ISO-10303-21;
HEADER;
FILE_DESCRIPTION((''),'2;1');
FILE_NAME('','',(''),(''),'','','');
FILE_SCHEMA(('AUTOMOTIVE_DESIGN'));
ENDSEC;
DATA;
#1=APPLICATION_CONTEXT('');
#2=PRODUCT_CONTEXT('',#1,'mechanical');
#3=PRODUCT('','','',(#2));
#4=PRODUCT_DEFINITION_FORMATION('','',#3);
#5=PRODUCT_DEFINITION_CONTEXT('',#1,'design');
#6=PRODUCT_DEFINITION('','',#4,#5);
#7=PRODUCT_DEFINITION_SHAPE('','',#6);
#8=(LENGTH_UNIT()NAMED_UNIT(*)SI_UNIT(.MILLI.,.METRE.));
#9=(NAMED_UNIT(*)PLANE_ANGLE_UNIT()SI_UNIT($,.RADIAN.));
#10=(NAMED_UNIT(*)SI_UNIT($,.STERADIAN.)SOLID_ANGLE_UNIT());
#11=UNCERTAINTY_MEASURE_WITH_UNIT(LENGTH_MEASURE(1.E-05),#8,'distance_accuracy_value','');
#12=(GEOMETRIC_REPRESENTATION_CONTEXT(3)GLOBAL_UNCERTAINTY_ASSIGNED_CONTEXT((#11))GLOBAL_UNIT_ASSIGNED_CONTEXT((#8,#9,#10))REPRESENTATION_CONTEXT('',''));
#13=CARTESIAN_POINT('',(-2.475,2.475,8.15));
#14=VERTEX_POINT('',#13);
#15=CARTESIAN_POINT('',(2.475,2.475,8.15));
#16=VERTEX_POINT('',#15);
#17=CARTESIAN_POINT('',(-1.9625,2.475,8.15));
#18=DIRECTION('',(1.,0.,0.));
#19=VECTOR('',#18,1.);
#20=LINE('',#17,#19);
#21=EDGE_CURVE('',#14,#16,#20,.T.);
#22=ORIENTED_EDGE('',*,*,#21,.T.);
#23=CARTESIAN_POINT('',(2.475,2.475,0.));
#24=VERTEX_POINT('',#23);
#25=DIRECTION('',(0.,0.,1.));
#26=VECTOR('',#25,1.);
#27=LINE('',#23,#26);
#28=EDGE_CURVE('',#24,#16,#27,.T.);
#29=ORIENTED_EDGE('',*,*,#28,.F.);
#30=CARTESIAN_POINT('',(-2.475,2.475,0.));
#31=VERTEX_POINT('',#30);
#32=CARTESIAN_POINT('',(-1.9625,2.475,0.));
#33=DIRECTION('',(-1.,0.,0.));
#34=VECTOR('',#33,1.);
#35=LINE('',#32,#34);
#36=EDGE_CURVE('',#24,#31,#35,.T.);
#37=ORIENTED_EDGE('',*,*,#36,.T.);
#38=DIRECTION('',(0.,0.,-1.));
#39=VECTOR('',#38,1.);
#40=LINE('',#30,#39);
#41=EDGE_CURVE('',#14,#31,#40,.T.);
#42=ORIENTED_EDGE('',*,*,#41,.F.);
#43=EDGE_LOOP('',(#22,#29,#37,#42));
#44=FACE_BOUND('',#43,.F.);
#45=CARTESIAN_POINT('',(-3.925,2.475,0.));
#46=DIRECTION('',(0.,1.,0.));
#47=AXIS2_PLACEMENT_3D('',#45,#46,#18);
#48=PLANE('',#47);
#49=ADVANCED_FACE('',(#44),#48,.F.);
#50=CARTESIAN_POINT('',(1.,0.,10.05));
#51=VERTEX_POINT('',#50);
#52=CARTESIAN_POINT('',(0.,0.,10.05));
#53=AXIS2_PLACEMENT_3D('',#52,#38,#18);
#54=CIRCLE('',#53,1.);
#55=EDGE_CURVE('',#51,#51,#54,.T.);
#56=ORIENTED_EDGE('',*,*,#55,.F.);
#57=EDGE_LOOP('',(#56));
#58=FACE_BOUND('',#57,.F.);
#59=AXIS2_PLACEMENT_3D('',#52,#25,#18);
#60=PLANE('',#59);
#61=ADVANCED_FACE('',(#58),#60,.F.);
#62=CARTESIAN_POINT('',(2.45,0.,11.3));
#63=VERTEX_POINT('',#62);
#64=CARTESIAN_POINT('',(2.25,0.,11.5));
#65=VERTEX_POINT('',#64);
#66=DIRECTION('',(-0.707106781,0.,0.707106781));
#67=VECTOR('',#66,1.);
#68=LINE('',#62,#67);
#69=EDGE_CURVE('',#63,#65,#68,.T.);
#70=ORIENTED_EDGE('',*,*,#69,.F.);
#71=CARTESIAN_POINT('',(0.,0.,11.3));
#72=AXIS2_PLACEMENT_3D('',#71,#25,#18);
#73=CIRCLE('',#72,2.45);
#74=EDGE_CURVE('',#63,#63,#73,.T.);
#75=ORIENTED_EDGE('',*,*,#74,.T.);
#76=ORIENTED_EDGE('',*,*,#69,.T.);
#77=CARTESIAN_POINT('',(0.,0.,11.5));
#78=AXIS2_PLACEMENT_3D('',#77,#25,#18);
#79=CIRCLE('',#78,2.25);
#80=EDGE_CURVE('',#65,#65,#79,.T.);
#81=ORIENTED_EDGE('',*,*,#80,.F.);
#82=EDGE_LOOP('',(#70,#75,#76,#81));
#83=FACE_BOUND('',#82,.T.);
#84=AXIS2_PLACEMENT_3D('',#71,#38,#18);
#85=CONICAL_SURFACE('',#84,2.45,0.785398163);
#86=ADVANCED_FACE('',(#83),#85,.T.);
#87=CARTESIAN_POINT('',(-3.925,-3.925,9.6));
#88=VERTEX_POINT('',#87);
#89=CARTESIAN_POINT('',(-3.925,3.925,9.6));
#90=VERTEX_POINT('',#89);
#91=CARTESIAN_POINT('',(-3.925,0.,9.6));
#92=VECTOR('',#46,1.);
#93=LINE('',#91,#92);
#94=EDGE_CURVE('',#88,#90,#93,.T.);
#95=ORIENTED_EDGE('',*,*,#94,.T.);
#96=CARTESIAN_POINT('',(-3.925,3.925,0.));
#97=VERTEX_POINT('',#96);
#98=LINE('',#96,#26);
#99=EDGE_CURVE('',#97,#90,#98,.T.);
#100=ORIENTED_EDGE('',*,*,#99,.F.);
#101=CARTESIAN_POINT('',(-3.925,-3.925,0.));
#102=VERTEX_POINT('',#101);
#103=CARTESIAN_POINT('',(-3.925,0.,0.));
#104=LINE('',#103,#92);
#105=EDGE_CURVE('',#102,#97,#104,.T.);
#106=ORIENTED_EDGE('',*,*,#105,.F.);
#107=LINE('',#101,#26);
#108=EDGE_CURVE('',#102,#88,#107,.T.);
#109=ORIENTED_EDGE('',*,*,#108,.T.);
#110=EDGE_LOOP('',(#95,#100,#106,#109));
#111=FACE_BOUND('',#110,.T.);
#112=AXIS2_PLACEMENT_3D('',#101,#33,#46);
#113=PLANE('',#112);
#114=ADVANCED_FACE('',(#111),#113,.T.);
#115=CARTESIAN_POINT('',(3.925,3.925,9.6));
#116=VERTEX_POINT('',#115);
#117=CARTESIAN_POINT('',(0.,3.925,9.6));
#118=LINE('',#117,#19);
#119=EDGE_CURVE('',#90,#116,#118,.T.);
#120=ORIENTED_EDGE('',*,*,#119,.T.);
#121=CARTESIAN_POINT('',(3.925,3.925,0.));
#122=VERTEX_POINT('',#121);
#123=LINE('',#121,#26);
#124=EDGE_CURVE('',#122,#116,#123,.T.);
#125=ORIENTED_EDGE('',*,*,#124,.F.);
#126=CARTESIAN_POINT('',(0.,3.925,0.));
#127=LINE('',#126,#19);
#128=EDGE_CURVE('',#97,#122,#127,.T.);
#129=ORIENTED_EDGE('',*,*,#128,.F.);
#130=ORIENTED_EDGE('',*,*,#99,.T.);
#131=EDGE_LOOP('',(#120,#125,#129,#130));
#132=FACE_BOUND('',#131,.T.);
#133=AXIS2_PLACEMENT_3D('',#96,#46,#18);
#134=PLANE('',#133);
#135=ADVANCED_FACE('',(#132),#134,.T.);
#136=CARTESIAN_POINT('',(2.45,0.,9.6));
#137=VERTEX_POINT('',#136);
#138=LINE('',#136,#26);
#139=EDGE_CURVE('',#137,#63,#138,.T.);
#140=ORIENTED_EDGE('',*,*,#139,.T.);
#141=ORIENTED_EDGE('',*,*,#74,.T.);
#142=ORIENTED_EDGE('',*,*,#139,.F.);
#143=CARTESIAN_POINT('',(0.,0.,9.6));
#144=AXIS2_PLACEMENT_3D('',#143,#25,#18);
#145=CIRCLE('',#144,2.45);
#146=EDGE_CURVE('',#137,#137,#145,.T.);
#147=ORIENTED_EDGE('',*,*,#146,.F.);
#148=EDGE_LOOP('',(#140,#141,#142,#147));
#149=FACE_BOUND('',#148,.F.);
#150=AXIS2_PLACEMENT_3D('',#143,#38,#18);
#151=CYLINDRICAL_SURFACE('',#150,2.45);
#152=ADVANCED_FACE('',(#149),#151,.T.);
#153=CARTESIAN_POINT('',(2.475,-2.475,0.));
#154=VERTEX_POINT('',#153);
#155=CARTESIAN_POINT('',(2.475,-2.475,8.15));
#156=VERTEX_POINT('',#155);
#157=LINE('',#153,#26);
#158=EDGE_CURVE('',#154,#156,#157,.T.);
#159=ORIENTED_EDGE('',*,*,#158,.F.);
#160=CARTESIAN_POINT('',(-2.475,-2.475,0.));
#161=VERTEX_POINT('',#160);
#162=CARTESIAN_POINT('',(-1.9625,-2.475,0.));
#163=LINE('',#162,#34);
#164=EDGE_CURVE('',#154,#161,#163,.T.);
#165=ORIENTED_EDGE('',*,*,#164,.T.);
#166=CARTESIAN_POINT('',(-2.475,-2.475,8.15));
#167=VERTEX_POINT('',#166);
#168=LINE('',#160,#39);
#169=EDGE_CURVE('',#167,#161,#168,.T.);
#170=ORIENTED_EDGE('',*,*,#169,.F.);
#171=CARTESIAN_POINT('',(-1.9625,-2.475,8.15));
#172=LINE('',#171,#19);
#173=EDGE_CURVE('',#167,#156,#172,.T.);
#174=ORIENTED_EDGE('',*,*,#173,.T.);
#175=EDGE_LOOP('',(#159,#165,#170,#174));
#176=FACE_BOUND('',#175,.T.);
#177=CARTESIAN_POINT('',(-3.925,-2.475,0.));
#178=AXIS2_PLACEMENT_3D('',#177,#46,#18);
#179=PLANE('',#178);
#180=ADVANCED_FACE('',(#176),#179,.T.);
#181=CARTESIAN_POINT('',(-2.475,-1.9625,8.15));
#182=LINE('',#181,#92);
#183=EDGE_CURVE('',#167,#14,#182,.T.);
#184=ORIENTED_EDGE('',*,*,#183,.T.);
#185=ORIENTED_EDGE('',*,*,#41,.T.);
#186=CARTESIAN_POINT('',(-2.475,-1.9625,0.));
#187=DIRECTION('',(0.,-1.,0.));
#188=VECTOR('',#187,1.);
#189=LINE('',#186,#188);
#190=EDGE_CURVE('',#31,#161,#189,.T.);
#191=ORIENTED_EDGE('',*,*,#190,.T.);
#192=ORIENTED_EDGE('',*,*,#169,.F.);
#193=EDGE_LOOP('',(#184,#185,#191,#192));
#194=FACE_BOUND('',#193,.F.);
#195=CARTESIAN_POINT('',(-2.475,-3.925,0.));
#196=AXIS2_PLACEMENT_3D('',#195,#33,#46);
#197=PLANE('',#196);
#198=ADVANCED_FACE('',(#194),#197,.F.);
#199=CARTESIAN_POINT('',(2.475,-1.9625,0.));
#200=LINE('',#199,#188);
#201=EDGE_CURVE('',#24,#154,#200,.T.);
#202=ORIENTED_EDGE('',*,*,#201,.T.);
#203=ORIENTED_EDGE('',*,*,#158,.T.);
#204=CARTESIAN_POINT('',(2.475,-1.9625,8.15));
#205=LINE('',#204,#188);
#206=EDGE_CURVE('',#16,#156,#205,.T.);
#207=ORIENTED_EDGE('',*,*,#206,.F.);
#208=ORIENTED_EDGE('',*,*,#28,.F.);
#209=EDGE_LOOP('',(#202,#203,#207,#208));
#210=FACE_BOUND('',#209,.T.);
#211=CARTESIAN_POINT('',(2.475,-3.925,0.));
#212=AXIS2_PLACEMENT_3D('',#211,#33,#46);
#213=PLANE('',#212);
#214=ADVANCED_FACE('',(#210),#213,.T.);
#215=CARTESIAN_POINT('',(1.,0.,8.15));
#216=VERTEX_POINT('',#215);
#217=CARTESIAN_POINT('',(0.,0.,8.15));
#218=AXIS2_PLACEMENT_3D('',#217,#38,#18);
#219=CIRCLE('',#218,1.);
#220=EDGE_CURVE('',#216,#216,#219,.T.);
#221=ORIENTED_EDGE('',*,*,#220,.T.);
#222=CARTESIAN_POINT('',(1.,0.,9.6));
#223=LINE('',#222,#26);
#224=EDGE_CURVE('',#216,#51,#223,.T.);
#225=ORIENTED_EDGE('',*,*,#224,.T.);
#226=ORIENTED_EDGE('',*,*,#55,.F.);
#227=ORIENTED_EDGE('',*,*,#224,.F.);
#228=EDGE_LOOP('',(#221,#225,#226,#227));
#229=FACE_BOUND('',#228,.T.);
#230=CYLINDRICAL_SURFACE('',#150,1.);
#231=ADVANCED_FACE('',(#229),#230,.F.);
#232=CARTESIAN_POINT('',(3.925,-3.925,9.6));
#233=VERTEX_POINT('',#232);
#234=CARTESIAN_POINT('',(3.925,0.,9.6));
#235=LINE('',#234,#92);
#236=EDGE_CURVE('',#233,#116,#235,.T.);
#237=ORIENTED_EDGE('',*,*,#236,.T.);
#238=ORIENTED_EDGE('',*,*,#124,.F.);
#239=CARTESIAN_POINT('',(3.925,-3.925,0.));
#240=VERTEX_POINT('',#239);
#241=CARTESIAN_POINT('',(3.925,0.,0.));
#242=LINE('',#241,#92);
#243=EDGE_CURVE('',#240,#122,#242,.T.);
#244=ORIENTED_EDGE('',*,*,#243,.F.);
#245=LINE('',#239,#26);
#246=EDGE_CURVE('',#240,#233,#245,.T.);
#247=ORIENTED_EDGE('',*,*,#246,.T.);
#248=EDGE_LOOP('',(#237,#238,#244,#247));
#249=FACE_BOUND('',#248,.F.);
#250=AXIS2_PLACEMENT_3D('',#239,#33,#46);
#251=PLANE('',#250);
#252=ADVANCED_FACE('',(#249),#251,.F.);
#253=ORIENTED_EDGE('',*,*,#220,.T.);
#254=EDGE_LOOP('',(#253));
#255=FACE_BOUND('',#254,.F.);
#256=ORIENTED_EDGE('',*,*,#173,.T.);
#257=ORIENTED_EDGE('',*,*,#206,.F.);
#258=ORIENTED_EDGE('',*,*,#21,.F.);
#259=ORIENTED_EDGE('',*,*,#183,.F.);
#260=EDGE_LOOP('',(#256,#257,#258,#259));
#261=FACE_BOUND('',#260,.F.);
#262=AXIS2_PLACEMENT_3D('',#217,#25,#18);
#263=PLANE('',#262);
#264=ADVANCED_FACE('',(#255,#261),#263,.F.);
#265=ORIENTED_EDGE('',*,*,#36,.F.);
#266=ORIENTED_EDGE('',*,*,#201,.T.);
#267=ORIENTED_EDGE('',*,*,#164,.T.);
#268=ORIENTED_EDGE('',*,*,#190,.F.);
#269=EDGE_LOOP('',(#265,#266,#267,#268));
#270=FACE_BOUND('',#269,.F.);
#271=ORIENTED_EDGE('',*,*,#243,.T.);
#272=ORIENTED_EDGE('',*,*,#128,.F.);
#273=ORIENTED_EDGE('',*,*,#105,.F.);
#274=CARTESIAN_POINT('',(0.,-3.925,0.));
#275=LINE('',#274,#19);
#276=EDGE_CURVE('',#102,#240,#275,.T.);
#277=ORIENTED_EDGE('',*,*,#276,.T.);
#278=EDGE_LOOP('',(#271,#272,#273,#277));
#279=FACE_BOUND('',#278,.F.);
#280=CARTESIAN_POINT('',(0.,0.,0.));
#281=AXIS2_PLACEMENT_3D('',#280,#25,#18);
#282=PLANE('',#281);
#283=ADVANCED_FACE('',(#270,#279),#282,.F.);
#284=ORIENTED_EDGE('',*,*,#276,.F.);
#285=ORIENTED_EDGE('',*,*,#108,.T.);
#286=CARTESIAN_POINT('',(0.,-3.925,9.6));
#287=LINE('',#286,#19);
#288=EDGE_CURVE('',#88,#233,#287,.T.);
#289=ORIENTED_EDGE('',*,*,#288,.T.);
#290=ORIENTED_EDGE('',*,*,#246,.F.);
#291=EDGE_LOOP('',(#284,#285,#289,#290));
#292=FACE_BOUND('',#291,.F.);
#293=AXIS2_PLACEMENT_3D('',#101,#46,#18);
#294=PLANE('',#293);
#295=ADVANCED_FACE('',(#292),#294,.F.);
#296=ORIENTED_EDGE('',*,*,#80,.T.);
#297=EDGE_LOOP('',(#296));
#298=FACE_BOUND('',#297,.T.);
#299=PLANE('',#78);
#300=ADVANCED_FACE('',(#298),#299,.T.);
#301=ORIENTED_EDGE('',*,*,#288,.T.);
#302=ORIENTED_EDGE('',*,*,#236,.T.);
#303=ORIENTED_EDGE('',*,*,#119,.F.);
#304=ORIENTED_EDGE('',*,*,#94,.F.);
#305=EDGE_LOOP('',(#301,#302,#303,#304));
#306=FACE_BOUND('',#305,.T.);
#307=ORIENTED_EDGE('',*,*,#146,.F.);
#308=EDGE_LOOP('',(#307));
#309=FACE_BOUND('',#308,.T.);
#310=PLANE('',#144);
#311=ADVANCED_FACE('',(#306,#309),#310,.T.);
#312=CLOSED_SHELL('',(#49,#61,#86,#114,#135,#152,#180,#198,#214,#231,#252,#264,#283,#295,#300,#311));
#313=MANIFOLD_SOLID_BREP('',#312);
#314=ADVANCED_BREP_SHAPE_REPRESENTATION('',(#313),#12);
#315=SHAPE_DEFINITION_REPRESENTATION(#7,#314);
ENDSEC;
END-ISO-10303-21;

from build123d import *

# Parameters (mm, degrees)
F0_W     = 7.85
F0_H     = 7.85
F1_DEPTH = 9.6
F2_R     = 2.45
F3_DEPTH = 1.9
F4_T     = -1.45
F5_SIZE  = 0.2


with BuildPart() as f1:
    # F0 (on Top) → F1 (new body)
    with BuildSketch(Plane.XY):
        Rectangle(F0_W, F0_H)
    extrude(amount=F1_DEPTH)

    # F2 (on face) → F3 (join)
    with BuildSketch(Plane.XY.offset(9.6)):
        Circle(F2_R)
    extrude(amount=F3_DEPTH)

    # F4
    f4_openings = [f1.faces().sort_by_distance(p)[0] for p in [
        (0, 0, 0),
    ]]
    offset(amount=F4_T, openings=f4_openings, kind=Kind.INTERSECTION)

    # F5
    f5_edges = [f1.edges().sort_by_distance(p)[0] for p in [
        (-2.45, 0, 11.5),
    ]]
    chamfer(f5_edges, length=F5_SIZE)


solid = f1.part
